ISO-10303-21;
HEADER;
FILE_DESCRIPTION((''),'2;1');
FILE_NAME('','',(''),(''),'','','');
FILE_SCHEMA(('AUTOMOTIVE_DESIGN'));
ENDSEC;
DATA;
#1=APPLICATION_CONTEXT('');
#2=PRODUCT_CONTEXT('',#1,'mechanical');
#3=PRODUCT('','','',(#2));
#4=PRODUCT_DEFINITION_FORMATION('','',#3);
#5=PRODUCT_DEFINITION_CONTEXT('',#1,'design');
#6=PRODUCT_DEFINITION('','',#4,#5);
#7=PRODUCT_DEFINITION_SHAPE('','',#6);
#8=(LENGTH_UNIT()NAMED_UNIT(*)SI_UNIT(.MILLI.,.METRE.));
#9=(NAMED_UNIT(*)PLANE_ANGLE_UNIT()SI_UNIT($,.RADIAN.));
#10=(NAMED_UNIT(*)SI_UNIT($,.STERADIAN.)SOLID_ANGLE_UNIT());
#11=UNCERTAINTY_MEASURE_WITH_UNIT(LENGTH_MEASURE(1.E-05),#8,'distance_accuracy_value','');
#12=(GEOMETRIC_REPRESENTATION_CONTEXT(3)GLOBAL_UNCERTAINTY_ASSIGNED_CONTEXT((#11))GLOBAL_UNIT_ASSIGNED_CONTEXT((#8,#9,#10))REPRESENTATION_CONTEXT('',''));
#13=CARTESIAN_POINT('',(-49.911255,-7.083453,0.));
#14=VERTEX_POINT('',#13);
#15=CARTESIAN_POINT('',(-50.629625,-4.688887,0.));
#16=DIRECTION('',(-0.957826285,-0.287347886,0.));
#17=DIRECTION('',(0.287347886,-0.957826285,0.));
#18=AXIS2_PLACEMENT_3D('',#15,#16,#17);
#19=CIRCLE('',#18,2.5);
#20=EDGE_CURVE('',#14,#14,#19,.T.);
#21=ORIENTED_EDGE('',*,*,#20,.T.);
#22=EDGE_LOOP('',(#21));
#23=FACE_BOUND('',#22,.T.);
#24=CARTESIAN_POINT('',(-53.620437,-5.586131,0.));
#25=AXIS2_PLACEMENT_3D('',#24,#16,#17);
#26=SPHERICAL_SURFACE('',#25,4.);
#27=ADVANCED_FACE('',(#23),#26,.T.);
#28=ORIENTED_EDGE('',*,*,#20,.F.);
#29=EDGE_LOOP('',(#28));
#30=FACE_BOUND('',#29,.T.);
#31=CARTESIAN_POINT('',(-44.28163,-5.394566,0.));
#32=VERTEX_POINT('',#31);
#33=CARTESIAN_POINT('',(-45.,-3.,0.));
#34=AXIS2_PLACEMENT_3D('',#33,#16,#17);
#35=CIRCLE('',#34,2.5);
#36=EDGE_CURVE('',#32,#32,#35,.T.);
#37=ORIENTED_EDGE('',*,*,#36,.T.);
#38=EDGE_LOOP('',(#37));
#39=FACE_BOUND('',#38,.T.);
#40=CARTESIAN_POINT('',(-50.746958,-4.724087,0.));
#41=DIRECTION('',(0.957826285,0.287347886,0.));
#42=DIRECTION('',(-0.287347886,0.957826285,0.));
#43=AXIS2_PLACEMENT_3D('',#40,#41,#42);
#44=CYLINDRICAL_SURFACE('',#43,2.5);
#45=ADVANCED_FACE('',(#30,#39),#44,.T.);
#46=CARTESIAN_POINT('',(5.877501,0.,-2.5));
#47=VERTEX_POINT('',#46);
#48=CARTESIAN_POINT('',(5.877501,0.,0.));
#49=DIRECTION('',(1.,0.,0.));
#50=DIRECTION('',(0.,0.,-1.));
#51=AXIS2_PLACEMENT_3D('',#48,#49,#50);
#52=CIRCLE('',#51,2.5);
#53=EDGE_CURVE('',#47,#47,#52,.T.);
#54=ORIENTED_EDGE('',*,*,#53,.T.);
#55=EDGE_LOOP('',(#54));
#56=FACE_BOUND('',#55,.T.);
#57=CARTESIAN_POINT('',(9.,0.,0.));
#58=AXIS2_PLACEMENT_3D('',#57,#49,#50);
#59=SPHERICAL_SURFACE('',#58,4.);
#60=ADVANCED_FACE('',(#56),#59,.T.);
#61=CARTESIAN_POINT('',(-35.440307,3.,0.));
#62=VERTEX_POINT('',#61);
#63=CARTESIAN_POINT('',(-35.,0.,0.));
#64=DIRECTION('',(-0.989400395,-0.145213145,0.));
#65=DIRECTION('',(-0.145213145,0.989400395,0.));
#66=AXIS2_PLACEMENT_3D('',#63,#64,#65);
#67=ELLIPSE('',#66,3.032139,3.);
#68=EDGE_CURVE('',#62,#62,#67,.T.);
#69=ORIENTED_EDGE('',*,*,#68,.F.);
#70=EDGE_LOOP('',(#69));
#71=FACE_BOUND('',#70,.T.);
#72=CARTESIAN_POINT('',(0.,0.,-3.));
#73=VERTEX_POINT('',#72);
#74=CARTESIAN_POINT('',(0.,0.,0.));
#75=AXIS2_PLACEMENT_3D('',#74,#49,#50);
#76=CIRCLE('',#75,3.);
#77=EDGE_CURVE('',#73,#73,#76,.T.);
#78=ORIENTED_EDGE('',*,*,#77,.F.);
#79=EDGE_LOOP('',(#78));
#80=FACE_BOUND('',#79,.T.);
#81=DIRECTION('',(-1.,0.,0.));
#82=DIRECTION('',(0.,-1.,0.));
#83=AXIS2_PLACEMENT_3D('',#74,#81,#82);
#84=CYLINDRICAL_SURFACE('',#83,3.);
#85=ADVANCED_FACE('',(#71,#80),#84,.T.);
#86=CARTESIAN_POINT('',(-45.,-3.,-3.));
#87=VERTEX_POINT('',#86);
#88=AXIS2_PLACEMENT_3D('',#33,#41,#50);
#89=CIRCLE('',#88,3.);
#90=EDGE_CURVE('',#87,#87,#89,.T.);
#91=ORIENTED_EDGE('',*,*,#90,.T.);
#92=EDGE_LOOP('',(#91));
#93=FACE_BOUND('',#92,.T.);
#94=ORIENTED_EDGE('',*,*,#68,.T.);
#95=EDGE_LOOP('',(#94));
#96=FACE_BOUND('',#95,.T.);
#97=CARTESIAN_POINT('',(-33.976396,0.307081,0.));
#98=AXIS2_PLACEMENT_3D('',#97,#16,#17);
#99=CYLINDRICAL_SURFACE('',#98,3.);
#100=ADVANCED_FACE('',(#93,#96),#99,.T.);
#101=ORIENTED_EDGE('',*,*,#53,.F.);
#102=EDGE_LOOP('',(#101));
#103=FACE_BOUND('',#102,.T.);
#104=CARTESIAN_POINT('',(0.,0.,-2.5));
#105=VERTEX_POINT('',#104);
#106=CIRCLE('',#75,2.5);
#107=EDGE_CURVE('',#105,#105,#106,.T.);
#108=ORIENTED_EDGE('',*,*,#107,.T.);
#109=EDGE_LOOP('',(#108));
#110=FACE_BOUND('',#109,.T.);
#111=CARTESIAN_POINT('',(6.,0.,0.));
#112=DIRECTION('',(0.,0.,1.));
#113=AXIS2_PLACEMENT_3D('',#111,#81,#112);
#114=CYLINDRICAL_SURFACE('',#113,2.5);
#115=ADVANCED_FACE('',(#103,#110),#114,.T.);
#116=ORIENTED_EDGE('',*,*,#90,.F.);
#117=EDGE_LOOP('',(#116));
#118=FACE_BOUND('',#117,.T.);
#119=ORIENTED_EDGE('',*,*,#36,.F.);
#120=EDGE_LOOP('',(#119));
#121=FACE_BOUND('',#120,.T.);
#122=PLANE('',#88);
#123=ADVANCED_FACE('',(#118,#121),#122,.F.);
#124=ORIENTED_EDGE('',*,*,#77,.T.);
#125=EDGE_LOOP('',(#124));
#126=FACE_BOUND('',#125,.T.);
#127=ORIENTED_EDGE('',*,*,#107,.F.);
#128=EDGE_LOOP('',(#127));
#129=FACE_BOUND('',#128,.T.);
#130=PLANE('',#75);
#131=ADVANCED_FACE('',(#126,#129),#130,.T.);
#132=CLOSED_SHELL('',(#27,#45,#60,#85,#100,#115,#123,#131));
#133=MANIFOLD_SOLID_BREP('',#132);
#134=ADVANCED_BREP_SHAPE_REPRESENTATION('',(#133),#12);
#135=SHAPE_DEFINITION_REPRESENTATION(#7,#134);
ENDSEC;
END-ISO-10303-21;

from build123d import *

# Parameters (mm, degrees)
SKETCH1_R           = 3
SKETCH3_R           = 2.5
BOSS_EXTRUDE1_DEPTH = 6
SKETCH5_R           = 2.5
BOSS_EXTRUDE2_DEPTH = 6


with BuildPart() as part:
    # Sweep2: sweep along a path in Sketch2
    with BuildLine(Plane.XY) as sweep2_path:
        Line((0, 0), (-35, 0))
        Line((-35, 0), (-45, -3))
    # Sketch1 → Sweep2 (sweep)
    with BuildSketch(Plane(origin=(0, 0, 0), x_dir=(0, 0, -1), z_dir=(1, 0, 0))):
        Circle(SKETCH1_R)
    sweep(path=sweep2_path.line, transition=Transition.RIGHT)

    # Sketch3 → Boss-Extrude1 (add)
    with BuildSketch(Plane(origin=(-42.110091743, -12.633027523, 0), x_dir=(0, 0, 1), z_dir=(-0.9578262852211515, -0.2873478855663453, 0))):
        with Locations(Location((0, 10.057175995, 0), (0, 0, 270))):
            Circle(SKETCH3_R)
    extrude(amount=BOSS_EXTRUDE1_DEPTH)

    # Sketch4 → Revolve1 (revolve)
    with BuildSketch(Plane(origin=(-50.73052831, -15.219158493, 0), x_dir=(0, 0, 1), z_dir=(-0.9578262852211515, -0.28734788556634533, 0))):
        with BuildLine():
            Line((0, 14.057175995), (0, 6.057175995))
            ThreePointArc((0, 6.057175995), (4, 10.057175995), (0, 14.057175995))
        make_face()
    revolve(axis=Axis((-54.769828109, -1.754825829, 0), (0.28734788556634544, -0.9578262852211514, 0)))

    # Sketch5 → Boss-Extrude2 (add)
    with BuildSketch(Plane(origin=(0, 0, 0), x_dir=(0, 0, -1), z_dir=(1, 0, 0))):
        Circle(SKETCH5_R)
    extrude(amount=BOSS_EXTRUDE2_DEPTH)

    # Sketch6 → Revolve2 (revolve)
    with BuildSketch(Plane(origin=(9, 0, 0), x_dir=(0, 0, -1), z_dir=(1, 0, 0))):
        with BuildLine():
            Line((0, 4), (0, -4))
            ThreePointArc((0, -4), (4, 0), (0, 4))
        make_face()
    revolve(axis=Axis((9, 4, 0), (0, -1, 0)))


solid = part.part
